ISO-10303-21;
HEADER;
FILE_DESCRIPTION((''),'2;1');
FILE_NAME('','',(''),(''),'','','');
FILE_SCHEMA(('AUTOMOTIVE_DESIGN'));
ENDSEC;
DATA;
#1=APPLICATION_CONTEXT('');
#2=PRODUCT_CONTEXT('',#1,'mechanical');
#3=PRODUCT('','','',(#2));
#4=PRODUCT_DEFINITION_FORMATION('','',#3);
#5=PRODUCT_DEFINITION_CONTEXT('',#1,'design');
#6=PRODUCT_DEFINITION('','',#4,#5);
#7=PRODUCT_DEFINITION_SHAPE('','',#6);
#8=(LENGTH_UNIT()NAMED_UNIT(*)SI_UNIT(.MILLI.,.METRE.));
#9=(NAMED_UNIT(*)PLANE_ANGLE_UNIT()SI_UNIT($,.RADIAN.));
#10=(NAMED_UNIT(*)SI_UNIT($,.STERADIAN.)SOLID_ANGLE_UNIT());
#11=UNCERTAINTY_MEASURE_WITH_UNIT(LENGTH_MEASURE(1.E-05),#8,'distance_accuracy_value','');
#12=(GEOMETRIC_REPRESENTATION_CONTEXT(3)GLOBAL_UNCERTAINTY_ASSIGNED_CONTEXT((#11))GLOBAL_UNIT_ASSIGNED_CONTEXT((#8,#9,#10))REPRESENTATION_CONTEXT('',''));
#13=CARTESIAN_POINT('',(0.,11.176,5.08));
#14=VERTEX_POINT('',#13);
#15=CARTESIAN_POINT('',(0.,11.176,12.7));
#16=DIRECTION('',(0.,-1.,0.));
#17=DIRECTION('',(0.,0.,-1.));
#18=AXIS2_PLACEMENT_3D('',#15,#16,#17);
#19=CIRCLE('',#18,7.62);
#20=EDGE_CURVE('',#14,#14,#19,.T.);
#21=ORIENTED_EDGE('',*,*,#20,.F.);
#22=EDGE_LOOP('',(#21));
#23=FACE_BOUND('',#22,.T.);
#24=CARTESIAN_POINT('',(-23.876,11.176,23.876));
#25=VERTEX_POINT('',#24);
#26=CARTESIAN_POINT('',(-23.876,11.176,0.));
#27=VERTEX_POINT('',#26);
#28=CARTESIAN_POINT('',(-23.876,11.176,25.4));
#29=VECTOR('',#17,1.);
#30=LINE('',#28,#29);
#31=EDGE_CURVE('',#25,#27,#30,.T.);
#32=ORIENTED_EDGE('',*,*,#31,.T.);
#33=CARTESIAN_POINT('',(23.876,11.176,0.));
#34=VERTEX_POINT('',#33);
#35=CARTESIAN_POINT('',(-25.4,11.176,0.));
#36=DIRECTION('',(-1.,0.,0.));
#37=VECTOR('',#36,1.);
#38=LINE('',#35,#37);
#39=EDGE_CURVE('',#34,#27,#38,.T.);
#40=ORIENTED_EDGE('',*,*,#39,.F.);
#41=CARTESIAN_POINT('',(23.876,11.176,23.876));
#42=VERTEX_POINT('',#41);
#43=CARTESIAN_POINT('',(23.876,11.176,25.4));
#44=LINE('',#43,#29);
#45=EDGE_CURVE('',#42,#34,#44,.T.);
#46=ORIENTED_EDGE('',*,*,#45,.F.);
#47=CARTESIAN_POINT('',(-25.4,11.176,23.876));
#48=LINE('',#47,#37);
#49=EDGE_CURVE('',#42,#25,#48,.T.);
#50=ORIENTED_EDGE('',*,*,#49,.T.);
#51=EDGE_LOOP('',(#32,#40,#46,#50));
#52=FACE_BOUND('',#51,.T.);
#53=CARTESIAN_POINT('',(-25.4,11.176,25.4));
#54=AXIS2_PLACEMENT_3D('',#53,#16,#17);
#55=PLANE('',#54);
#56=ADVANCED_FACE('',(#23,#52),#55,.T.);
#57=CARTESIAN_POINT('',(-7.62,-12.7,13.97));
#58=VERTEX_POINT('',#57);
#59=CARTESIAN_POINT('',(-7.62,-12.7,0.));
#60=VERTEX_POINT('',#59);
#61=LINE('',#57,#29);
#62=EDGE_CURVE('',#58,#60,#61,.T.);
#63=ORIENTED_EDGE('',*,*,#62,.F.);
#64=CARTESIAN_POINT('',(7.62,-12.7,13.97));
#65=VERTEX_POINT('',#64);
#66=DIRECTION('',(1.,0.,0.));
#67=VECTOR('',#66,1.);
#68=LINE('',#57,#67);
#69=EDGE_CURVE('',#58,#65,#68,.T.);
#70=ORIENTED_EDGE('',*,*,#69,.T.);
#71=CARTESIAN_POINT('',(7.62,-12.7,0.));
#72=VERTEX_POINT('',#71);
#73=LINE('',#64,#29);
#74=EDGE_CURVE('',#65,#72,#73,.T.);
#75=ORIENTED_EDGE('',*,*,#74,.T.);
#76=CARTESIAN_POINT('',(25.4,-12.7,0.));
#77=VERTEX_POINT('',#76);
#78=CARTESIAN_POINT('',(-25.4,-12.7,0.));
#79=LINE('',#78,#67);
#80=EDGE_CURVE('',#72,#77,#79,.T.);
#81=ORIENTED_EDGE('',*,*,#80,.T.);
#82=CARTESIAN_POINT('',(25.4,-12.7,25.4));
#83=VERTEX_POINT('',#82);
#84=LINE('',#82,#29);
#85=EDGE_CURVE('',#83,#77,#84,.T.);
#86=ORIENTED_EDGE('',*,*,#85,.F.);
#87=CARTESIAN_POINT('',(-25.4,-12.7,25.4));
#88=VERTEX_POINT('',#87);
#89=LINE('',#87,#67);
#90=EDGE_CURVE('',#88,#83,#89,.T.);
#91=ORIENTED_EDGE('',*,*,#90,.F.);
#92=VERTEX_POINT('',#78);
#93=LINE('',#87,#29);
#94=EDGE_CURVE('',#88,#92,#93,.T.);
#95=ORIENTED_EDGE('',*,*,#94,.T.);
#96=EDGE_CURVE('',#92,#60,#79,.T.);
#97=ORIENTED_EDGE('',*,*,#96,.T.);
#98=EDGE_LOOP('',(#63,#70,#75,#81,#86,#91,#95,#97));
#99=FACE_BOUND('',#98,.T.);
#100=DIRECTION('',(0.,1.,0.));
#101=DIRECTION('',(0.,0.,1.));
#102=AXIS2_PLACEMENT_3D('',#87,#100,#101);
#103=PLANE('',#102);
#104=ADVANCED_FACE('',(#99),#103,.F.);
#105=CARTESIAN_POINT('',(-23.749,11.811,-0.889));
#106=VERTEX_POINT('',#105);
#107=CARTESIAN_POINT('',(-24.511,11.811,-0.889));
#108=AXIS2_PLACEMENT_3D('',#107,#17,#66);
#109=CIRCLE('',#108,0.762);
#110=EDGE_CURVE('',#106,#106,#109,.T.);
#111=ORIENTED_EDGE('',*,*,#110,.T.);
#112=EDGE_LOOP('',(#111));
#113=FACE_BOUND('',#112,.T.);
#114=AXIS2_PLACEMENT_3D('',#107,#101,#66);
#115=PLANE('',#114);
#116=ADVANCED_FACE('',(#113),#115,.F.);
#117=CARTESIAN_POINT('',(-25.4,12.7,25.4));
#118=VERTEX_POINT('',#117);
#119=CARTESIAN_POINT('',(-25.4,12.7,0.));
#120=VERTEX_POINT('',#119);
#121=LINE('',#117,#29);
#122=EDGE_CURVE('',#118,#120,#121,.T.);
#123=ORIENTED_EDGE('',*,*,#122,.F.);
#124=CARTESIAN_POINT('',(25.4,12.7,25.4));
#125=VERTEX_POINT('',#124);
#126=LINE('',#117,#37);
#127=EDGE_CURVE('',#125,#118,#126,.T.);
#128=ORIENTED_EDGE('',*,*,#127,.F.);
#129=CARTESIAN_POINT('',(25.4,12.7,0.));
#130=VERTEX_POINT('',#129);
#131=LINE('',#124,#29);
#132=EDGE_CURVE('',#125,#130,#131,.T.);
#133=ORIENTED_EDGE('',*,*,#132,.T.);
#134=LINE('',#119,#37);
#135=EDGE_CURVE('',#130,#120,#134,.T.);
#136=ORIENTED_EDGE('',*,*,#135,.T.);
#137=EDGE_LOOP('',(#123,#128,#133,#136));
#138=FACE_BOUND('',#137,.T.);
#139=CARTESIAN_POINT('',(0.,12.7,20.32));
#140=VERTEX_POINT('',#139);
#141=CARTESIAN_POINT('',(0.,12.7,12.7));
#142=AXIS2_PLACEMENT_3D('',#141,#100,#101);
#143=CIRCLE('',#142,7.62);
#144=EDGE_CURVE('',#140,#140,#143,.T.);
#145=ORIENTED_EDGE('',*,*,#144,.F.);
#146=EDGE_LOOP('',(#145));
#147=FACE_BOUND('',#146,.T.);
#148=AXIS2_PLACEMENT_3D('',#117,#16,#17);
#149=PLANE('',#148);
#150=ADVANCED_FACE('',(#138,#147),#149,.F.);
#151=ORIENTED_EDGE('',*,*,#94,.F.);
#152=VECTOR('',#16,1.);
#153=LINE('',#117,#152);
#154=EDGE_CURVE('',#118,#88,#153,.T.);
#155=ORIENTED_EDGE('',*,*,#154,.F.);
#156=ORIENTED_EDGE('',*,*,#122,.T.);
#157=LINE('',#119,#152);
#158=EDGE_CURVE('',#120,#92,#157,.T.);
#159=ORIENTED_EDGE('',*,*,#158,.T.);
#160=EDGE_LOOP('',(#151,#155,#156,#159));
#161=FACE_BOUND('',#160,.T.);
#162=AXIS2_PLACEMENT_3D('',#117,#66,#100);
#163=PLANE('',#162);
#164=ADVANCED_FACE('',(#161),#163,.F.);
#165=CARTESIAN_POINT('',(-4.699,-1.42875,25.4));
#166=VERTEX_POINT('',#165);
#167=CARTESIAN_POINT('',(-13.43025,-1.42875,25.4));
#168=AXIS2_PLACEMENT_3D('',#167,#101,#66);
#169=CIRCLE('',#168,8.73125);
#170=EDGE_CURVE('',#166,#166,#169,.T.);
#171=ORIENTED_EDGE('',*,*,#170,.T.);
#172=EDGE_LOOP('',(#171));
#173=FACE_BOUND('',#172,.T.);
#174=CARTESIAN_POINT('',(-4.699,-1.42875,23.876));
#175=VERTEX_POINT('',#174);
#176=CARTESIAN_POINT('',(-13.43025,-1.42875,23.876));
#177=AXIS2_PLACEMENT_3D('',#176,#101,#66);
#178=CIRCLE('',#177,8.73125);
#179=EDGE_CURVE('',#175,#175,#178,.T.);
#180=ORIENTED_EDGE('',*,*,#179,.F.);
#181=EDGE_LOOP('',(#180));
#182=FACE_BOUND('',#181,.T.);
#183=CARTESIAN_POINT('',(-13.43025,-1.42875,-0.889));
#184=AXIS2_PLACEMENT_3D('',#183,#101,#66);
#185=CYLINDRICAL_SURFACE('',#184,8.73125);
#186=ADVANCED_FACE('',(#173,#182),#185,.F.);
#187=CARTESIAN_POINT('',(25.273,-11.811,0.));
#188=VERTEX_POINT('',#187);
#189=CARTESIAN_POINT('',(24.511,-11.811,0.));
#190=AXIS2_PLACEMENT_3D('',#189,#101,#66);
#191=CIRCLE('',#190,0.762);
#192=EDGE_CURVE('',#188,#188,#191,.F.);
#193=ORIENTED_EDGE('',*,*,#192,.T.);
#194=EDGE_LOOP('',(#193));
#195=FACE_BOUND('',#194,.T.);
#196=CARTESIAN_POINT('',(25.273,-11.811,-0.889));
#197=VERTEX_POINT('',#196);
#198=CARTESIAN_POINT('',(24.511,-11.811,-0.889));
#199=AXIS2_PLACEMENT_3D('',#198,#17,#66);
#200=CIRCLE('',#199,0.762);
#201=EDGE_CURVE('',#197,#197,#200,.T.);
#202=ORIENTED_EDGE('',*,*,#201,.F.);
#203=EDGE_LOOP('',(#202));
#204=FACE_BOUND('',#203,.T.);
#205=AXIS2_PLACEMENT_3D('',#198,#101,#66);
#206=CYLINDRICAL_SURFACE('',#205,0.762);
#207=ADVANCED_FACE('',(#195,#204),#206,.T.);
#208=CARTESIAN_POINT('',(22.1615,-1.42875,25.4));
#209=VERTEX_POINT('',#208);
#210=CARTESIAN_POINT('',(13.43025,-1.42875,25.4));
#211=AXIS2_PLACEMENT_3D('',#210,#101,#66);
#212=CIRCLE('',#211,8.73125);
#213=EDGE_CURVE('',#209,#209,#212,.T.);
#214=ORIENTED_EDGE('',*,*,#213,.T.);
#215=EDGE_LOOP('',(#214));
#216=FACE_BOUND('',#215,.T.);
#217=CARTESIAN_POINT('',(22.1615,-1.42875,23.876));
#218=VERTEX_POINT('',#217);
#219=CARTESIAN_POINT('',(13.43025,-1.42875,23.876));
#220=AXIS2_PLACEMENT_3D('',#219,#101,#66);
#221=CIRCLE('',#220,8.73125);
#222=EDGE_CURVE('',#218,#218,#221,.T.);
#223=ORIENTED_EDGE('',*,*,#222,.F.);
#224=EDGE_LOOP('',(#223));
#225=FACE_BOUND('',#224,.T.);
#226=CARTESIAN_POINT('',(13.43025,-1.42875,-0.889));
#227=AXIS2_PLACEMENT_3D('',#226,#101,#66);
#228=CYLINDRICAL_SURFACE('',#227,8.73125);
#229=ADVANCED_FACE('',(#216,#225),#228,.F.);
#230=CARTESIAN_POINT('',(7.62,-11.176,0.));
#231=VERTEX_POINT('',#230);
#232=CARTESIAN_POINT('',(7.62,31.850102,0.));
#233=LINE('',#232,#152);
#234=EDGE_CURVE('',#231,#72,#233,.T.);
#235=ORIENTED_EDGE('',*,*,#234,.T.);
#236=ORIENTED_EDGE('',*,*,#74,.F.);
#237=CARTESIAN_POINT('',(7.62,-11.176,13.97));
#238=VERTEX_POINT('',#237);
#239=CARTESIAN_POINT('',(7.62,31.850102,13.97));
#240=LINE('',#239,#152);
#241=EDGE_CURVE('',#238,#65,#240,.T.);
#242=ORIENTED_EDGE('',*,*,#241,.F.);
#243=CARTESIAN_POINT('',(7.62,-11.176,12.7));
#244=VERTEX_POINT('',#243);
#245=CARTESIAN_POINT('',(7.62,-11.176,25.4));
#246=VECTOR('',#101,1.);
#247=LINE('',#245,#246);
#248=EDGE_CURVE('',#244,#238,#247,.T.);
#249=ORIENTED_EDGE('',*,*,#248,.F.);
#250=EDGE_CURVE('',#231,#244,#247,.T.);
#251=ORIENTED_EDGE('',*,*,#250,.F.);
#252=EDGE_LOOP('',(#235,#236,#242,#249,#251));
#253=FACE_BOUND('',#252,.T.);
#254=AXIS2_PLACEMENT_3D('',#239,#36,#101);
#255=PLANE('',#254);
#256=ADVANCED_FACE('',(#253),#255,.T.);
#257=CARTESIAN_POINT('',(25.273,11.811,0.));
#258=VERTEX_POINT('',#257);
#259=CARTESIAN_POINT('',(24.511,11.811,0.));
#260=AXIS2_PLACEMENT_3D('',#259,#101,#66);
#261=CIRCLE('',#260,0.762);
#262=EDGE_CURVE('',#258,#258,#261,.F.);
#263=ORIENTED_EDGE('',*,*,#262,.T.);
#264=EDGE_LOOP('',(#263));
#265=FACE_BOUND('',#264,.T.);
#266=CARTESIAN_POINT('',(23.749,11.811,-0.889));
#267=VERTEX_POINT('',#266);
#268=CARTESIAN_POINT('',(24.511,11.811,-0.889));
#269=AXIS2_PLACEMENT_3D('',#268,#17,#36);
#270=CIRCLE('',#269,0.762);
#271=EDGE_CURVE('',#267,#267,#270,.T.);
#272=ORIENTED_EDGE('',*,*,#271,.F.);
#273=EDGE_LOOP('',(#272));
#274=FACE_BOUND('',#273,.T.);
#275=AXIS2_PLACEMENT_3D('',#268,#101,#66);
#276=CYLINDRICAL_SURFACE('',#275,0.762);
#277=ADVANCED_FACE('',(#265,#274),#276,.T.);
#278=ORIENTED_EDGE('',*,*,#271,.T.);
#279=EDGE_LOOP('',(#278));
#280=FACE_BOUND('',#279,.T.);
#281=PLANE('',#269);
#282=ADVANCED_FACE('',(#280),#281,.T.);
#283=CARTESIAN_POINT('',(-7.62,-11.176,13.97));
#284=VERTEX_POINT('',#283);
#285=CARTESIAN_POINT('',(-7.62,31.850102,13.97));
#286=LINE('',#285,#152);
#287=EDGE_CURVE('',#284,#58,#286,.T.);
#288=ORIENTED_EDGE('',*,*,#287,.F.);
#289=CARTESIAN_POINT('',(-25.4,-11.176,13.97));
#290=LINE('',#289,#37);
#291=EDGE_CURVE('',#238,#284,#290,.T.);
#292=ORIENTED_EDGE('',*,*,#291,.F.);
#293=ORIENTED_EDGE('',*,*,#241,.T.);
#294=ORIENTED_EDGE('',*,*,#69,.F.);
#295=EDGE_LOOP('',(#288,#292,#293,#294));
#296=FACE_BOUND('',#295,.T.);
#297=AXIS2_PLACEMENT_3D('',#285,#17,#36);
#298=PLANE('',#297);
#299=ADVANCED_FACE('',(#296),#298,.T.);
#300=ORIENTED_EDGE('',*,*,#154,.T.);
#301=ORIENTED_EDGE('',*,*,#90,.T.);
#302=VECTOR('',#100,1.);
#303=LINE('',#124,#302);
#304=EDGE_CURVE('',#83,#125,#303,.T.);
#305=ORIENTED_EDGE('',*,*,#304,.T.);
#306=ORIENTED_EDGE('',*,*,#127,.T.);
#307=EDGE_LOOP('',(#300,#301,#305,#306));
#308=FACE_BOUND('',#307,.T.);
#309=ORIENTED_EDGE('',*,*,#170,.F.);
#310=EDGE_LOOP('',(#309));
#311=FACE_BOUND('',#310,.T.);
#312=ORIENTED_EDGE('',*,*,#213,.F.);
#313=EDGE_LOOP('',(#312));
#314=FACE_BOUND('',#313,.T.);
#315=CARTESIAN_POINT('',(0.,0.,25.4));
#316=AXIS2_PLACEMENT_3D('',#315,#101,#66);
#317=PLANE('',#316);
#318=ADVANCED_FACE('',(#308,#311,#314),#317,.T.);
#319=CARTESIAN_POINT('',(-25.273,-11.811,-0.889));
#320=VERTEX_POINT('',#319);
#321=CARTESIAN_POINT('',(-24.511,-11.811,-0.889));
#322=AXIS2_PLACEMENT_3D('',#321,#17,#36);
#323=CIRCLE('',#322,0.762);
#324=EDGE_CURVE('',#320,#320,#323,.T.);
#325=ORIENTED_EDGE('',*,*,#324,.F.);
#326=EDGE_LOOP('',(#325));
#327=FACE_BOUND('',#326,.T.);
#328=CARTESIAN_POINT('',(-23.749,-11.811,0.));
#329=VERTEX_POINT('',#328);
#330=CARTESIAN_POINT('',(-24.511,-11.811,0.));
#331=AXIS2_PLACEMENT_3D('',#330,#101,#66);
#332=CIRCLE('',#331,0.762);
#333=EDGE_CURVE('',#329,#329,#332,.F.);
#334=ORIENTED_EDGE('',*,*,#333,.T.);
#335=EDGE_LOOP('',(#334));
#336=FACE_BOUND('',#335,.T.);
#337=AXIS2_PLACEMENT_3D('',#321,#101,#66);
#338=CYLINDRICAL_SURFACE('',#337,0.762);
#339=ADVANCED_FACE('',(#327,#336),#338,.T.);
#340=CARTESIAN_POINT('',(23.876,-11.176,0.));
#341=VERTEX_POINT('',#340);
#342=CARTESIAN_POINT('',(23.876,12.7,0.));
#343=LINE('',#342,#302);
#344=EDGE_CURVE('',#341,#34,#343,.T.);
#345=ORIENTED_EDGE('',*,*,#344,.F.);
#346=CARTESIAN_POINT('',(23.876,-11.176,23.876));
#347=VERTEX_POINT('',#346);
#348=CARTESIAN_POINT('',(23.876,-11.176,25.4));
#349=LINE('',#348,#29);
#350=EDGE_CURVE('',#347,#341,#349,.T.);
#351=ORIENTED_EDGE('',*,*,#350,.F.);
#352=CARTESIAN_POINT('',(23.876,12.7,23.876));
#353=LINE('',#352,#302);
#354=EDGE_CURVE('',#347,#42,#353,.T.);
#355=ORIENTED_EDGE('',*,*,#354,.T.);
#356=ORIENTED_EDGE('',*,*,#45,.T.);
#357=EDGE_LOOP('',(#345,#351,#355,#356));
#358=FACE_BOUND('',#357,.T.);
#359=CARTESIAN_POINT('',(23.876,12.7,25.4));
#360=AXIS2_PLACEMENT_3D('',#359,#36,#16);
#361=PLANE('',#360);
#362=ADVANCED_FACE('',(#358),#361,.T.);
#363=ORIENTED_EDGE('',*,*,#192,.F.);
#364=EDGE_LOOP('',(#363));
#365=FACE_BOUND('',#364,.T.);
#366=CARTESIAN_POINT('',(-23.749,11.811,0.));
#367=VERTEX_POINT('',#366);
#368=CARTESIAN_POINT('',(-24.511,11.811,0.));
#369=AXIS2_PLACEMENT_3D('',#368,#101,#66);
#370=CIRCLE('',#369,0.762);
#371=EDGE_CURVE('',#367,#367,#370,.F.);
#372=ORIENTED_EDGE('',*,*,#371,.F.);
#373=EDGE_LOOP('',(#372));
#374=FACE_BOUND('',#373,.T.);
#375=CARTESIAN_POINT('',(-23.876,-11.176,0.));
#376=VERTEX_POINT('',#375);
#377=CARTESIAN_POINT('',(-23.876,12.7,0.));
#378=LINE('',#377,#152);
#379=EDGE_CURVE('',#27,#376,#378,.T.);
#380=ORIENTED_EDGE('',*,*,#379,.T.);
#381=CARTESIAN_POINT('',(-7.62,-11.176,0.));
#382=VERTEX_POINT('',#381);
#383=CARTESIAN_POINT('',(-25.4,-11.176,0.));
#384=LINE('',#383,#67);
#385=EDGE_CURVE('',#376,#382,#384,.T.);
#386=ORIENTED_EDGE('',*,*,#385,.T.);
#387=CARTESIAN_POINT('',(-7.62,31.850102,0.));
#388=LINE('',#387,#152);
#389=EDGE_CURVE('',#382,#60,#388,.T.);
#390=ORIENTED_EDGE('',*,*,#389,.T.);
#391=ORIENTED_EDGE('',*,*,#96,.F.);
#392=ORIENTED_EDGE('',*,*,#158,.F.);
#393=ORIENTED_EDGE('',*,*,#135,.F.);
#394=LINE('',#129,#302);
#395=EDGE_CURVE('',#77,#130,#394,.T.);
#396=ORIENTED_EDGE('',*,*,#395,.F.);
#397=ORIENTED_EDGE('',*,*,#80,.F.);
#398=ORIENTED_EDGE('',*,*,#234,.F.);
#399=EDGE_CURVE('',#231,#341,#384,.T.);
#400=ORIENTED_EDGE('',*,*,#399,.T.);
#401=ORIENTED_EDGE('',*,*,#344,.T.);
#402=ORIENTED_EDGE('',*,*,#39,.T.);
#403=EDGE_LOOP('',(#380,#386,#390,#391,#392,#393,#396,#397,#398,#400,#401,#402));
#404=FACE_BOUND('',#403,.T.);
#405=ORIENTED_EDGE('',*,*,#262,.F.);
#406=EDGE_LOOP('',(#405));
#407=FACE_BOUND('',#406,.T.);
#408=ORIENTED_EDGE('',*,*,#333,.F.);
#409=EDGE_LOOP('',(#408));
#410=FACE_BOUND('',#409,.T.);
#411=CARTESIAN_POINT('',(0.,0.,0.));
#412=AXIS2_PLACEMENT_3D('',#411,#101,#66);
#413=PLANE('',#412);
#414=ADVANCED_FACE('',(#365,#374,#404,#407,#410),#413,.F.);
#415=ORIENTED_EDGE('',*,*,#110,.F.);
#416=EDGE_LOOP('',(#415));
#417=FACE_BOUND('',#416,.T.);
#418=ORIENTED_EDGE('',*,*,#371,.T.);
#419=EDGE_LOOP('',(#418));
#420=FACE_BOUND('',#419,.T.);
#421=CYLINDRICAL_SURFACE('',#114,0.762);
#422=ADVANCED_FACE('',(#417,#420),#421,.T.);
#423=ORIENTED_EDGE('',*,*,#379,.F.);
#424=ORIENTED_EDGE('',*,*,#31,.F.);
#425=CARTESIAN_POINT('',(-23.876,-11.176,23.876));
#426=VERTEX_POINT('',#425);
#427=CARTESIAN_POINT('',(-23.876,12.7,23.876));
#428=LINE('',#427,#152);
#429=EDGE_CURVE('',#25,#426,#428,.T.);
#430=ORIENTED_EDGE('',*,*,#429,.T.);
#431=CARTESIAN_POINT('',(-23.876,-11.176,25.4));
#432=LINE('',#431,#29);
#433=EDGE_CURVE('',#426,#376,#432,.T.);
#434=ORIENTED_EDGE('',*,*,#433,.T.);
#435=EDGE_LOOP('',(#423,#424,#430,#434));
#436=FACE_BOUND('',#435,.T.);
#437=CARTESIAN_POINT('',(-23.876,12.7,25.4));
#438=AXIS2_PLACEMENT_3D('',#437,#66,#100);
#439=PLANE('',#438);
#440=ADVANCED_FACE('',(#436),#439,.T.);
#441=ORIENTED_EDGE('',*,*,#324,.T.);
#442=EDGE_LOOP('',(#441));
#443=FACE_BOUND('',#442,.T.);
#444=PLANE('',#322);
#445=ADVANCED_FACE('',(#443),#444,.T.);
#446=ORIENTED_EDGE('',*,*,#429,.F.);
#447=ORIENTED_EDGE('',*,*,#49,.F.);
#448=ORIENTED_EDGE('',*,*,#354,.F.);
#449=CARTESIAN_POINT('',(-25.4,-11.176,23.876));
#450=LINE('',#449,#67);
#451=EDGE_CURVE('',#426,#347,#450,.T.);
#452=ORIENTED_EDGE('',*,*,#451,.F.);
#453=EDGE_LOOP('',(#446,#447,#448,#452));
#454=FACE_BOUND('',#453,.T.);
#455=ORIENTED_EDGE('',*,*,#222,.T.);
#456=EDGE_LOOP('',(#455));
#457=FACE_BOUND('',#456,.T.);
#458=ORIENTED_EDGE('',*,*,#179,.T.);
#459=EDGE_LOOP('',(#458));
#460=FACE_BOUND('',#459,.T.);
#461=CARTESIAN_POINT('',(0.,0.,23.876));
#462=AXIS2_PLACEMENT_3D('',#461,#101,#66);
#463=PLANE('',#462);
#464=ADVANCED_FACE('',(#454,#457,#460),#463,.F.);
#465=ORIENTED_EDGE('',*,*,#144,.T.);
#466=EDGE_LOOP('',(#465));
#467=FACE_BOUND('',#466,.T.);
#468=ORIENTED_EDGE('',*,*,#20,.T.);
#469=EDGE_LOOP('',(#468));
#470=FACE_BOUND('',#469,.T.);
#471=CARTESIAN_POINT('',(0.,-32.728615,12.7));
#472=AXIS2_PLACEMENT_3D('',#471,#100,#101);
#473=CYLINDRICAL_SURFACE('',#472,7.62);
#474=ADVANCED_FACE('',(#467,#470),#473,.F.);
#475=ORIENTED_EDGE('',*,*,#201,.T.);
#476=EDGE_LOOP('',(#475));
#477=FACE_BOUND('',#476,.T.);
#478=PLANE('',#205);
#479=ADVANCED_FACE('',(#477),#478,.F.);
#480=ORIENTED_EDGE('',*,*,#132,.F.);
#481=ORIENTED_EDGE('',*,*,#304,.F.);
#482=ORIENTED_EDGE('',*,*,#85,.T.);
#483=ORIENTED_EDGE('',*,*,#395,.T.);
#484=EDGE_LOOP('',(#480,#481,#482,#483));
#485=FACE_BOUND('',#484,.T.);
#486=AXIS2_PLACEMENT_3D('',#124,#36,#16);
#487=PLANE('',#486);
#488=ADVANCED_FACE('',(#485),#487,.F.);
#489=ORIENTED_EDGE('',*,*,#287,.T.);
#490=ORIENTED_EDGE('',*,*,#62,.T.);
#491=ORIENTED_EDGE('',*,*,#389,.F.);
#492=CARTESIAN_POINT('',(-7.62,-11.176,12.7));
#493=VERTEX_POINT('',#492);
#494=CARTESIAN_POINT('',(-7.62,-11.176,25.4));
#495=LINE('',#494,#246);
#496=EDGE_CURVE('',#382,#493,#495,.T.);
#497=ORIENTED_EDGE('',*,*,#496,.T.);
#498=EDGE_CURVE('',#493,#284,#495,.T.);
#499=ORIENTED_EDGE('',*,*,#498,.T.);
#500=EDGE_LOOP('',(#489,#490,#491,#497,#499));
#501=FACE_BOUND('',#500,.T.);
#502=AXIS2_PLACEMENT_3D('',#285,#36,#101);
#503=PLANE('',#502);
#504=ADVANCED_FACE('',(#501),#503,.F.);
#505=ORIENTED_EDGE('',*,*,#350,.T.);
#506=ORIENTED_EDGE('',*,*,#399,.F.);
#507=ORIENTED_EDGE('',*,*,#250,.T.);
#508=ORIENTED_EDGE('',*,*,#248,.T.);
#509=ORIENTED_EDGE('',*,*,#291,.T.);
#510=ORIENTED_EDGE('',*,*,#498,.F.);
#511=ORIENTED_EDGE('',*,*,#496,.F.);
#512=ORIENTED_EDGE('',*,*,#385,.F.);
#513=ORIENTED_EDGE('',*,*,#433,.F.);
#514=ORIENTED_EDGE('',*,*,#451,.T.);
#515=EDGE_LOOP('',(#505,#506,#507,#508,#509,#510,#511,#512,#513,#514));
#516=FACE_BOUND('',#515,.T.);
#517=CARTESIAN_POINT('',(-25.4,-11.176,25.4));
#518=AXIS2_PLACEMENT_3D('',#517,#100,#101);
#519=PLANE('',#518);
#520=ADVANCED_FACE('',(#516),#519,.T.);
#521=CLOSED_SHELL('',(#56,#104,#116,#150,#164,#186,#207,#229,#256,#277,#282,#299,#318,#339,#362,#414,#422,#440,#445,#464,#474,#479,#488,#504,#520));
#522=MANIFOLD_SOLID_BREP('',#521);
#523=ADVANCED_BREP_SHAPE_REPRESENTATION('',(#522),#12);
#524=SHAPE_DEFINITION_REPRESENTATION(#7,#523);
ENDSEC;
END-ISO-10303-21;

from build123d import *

# Parameters (mm, degrees)
SKETCH1_W               = 50.8
SKETCH1_H               = 25.4
BOSS_EXTRUDE1_DEPTH     = 25.4
SHELL1_T                = -1.524
SKETCH2_R               = 0.762
BOSS_EXTRUDE2_DEPTH     = 0.889
SKETCH3_W               = 15.24
SKETCH3_H               = 13.97
CUT_EXTRUDE1_DEPTH      = 23.876
SKETCH4_R               = 7.62
CUT_EXTRUDE2_DEPTH      = 23.876
CUT_EXTRUDE3_DEPTH      = 39.698340029
CUT_EXTRUDE3_DEPTH_BACK = 39.698340029
SKETCH5_R               = 8.73125


with BuildPart() as part:
    # Sketch1 → Boss-Extrude1 (new body)
    with BuildSketch(Plane.XY):
        Rectangle(SKETCH1_W, SKETCH1_H)
    extrude(amount=BOSS_EXTRUDE1_DEPTH)

    # Shell1
    shell1_openings = [part.faces().sort_by_distance(p)[0] for p in [
        (0, 0, 0),
    ]]
    offset(amount=SHELL1_T, openings=shell1_openings, kind=Kind.INTERSECTION)

    # Sketch2 → Boss-Extrude2 (add)
    with BuildSketch(Plane(origin=(0, 0, 0), x_dir=(-1, 0, 0), z_dir=(0, 0, -1))):
        with Locations(Location((-24.511, 11.811, 0), (0, 0, 180))):
            Circle(SKETCH2_R)
        with Locations(Location((24.511, 11.811, 0), (0, 0, 180))):
            Circle(SKETCH2_R)
        with Locations(Location((24.511, -11.811, 0), (0, 0, 180))):
            Circle(SKETCH2_R)
        with Locations(Location((-24.511, -11.811, 0), (0, 0, 180))):
            Circle(SKETCH2_R)
    extrude(amount=BOSS_EXTRUDE2_DEPTH)

    # Sketch3 → Cut-Extrude1 (cut)
    with BuildSketch(Plane(origin=(0, -12.7, 0), x_dir=(-1, 0, 0), z_dir=(0, -1, 0))):
        with Locations((0, -6.985)):
            Rectangle(SKETCH3_W, SKETCH3_H)
    extrude(amount=-CUT_EXTRUDE1_DEPTH, mode=Mode.SUBTRACT)

    # Sketch4 → Cut-Extrude2 (cut)
    with BuildSketch(Plane(origin=(0, 12.7, 0), x_dir=(1, 0, 0), z_dir=(0, 1, 0))):
        with Locations(Location((0, -12.7, 0), (0, 0, 270))):
            Circle(SKETCH4_R)
    extrude(amount=-CUT_EXTRUDE2_DEPTH, mode=Mode.SUBTRACT)

    # Sketch5 → Cut-Extrude3 (cut, two sides: drawn at the far end of the back side and taken through both)
    with BuildSketch(Plane.XY.offset(25.4).offset(-CUT_EXTRUDE3_DEPTH_BACK)):
        with Locations((-13.43025, -1.42875)):
            Circle(SKETCH5_R)
        with Locations((13.43025, -1.42875)):
            Circle(SKETCH5_R)
    extrude(amount=CUT_EXTRUDE3_DEPTH + CUT_EXTRUDE3_DEPTH_BACK, mode=Mode.SUBTRACT)


solid = part.part
